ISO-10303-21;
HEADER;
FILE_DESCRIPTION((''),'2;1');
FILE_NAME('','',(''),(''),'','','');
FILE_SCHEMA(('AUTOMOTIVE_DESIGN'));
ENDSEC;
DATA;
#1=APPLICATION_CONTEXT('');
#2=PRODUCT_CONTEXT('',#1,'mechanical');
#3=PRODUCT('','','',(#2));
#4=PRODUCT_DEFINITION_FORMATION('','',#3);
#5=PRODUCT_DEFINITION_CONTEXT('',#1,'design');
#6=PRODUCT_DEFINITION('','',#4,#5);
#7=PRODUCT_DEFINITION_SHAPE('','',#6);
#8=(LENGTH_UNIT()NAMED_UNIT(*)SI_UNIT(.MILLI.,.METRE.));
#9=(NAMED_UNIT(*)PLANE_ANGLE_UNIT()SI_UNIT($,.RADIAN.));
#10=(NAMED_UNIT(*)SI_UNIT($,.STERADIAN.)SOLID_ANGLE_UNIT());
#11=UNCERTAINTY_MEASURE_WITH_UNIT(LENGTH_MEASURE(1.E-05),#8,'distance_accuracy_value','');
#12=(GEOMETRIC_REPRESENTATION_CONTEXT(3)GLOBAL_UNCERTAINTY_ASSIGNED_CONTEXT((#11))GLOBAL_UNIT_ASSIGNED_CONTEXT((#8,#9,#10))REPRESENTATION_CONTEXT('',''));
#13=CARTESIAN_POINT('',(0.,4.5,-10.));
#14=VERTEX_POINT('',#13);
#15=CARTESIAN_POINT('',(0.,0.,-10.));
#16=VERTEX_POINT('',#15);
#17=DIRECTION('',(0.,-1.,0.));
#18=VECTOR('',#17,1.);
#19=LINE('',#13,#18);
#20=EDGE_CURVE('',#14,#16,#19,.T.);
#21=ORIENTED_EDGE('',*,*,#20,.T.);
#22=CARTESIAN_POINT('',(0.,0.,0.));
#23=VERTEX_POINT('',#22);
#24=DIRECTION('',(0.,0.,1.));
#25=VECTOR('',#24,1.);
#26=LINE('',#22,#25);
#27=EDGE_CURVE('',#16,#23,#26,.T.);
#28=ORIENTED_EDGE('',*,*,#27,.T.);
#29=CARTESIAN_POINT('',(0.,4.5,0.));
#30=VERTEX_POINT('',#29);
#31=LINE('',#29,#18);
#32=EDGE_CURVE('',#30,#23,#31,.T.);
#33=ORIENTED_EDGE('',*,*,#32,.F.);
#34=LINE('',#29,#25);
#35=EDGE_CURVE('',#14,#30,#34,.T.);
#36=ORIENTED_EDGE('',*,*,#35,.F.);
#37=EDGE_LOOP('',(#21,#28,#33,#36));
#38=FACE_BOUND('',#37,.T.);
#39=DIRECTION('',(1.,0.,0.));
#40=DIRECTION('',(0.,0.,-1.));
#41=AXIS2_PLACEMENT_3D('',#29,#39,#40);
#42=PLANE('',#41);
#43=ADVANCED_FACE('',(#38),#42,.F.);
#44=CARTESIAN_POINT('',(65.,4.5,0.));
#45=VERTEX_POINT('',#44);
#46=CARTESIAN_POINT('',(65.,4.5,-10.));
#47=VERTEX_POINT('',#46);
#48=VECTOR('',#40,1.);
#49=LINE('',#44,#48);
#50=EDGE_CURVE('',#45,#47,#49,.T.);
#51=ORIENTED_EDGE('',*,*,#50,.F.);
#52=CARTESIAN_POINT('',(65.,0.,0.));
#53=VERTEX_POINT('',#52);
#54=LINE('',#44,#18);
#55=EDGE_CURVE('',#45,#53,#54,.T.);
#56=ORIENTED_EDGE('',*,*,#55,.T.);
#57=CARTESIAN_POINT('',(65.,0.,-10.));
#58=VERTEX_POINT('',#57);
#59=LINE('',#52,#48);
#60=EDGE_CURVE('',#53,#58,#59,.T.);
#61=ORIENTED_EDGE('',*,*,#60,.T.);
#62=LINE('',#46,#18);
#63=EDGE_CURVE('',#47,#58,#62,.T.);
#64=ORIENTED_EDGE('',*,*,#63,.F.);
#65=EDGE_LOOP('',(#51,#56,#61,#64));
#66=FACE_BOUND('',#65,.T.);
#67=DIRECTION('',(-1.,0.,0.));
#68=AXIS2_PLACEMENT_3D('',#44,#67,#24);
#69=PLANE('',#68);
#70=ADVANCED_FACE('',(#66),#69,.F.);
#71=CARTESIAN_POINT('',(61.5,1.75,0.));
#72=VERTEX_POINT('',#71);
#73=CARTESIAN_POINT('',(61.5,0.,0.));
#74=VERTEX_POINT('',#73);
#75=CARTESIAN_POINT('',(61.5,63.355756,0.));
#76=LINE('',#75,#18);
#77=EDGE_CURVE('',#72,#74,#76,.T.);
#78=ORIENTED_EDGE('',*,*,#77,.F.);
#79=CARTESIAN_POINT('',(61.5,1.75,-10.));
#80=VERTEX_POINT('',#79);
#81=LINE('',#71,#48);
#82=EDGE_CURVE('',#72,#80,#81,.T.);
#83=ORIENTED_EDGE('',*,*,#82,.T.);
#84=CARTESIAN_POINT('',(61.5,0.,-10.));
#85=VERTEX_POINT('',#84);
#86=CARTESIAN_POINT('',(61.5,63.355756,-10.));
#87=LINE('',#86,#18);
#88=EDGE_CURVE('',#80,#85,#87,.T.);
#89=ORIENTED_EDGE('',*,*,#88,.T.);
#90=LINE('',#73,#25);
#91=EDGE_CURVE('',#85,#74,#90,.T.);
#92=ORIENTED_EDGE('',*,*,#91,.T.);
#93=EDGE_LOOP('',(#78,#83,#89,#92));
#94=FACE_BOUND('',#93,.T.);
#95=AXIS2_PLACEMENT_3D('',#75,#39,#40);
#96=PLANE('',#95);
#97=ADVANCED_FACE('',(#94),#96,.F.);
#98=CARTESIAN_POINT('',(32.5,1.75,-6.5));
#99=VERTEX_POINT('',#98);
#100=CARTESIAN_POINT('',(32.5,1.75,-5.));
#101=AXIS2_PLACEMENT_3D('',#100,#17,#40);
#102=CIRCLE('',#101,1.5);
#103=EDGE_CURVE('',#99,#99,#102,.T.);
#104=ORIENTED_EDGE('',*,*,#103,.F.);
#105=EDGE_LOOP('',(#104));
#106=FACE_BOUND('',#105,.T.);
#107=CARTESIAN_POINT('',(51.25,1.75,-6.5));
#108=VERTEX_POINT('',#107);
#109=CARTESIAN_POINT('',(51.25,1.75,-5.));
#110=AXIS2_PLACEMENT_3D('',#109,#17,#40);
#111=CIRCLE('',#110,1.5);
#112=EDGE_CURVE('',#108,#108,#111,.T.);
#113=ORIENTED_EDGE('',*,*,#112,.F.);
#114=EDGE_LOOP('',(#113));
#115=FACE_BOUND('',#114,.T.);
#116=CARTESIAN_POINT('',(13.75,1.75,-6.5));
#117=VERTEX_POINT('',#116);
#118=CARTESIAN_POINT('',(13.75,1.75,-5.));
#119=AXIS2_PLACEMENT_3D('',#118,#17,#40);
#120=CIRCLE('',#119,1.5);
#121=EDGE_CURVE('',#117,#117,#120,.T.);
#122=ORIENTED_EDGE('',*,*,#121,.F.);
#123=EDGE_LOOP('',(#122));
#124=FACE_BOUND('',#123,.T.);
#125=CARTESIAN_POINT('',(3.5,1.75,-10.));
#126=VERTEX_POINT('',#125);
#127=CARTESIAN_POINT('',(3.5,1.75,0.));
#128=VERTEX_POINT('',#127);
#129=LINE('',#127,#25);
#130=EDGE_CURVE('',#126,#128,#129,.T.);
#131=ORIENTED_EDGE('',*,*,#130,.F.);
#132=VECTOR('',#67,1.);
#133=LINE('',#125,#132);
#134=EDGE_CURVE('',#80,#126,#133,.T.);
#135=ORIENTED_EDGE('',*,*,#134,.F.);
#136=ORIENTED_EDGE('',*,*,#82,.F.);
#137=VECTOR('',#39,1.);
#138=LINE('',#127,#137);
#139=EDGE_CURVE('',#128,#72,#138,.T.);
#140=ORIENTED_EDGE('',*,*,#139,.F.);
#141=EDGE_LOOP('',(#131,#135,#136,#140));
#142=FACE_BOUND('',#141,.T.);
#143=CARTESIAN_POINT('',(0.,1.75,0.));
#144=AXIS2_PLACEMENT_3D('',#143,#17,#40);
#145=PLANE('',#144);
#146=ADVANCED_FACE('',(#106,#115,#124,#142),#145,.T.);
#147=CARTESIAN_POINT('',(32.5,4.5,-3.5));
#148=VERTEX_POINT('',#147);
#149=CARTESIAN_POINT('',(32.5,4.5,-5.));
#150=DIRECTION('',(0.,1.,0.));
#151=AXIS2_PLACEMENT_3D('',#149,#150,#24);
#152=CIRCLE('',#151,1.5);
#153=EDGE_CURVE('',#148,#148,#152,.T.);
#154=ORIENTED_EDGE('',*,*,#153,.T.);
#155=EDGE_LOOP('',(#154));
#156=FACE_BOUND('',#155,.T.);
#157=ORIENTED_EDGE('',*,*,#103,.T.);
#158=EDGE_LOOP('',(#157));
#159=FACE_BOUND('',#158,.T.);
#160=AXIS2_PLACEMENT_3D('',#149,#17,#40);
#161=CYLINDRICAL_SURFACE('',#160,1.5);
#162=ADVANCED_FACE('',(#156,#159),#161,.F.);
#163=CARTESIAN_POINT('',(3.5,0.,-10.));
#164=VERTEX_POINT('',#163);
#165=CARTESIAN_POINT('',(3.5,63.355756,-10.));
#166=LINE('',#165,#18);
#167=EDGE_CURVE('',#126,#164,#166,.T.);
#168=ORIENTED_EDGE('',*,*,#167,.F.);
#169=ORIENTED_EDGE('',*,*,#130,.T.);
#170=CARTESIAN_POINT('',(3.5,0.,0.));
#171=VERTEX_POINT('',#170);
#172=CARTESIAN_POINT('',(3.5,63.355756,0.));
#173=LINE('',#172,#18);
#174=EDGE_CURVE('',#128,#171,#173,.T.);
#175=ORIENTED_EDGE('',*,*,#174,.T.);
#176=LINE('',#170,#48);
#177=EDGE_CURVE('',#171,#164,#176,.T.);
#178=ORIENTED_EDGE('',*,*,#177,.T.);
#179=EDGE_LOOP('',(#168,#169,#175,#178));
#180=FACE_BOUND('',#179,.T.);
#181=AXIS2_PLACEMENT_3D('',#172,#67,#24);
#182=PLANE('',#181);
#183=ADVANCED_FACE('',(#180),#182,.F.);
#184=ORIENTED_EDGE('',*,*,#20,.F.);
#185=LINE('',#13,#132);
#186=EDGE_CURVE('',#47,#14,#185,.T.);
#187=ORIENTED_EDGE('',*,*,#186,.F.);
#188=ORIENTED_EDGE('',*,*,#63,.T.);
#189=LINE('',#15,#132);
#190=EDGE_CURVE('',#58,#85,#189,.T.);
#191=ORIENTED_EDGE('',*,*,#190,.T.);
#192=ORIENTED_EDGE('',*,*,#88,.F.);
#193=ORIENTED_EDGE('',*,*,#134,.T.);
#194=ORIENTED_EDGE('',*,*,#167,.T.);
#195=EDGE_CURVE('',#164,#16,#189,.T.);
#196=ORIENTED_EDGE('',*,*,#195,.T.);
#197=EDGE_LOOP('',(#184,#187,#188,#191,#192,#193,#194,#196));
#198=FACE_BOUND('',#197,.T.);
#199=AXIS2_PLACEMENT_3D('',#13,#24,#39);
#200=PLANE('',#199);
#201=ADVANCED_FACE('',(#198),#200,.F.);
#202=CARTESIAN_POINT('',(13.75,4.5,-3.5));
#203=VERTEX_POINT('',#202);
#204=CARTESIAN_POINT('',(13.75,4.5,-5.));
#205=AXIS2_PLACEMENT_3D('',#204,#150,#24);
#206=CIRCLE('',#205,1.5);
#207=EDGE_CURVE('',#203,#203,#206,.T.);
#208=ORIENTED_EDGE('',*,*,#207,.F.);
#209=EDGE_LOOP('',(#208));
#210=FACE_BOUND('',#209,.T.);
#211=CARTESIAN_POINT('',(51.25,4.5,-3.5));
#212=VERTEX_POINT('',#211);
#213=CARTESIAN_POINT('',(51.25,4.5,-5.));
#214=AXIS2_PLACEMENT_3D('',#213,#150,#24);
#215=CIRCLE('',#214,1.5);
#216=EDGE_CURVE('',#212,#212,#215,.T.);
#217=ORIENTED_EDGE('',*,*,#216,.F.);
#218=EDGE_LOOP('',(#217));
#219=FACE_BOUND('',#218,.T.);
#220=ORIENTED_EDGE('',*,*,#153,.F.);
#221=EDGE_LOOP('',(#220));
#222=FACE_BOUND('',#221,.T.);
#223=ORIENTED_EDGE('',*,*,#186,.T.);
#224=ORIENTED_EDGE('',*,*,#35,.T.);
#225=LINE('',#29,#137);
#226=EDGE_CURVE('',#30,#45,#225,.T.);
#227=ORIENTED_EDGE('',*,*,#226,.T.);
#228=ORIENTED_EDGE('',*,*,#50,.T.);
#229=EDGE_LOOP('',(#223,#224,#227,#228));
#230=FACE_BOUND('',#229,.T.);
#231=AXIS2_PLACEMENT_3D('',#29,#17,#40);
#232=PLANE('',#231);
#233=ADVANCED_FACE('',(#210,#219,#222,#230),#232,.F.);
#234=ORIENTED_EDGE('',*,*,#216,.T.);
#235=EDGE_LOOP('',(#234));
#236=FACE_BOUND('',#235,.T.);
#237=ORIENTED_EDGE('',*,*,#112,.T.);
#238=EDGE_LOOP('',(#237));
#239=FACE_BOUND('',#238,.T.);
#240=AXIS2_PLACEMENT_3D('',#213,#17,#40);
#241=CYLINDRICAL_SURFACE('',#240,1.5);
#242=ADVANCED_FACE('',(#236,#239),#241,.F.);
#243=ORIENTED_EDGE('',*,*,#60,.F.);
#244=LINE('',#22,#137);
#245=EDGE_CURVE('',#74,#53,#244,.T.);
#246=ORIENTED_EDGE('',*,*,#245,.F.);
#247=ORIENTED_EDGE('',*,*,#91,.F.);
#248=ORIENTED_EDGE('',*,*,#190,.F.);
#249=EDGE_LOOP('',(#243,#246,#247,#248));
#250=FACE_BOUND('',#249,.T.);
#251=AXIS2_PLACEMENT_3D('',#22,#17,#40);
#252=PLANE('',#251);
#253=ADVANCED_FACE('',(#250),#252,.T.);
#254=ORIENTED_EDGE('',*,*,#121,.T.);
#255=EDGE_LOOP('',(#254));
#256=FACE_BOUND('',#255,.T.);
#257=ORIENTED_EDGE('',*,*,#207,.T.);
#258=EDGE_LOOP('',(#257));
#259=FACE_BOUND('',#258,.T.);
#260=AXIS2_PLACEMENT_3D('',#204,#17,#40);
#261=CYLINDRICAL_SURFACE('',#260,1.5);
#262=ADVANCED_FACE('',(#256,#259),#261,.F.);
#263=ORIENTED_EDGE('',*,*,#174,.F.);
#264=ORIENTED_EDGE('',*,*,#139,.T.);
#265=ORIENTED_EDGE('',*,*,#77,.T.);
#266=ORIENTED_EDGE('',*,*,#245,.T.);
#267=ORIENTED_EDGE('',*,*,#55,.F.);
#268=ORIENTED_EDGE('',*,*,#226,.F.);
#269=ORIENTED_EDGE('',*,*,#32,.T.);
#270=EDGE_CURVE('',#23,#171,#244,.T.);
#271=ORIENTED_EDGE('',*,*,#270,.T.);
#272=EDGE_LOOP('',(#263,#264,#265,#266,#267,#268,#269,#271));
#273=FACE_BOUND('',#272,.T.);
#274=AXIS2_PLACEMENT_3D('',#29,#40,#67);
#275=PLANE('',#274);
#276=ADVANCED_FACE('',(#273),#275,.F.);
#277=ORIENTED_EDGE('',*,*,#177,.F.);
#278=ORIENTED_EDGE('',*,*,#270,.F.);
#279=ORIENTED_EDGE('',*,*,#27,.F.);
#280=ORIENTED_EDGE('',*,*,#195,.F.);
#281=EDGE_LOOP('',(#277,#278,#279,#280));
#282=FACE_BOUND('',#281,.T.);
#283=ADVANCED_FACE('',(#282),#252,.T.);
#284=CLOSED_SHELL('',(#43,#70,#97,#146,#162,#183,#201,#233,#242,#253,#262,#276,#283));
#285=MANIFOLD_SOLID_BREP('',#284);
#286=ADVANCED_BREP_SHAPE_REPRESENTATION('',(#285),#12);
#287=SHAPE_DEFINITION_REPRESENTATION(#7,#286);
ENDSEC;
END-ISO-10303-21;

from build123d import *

# Parameters (mm, degrees)
SKETCH1_W           = 65
SKETCH1_H           = 10
SKETCH1_R           = 1.5
BOSS_EXTRUDE1_DEPTH = 4.5
SKETCH2_W           = 58
SKETCH2_H           = 10
CUT_EXTRUDE1_DEPTH  = 1.75


with BuildPart() as part:
    # Sketch1 → Boss-Extrude1 (new body)
    with BuildSketch(Plane(origin=(0, 0, 0), x_dir=(1, 0, 0), z_dir=(0, 1, 0))):
        with Locations((32.5, 5)):
            Rectangle(SKETCH1_W, SKETCH1_H)
        with Locations(Location((13.75, 5, 0), (0, 0, 270))):
            Circle(SKETCH1_R, mode=Mode.SUBTRACT)
        with Locations(Location((32.5, 5, 0), (0, 0, 270))):
            Circle(SKETCH1_R, mode=Mode.SUBTRACT)
        with Locations(Location((51.25, 5, 0), (0, 0, 270))):
            Circle(SKETCH1_R, mode=Mode.SUBTRACT)
    extrude(amount=BOSS_EXTRUDE1_DEPTH)

    # Sketch2 → Cut-Extrude1 (cut)
    with BuildSketch(Plane.XZ):
        with Locations((32.5, -5)):
            Rectangle(SKETCH2_W, SKETCH2_H)
    extrude(amount=-CUT_EXTRUDE1_DEPTH, mode=Mode.SUBTRACT)


solid = part.part
